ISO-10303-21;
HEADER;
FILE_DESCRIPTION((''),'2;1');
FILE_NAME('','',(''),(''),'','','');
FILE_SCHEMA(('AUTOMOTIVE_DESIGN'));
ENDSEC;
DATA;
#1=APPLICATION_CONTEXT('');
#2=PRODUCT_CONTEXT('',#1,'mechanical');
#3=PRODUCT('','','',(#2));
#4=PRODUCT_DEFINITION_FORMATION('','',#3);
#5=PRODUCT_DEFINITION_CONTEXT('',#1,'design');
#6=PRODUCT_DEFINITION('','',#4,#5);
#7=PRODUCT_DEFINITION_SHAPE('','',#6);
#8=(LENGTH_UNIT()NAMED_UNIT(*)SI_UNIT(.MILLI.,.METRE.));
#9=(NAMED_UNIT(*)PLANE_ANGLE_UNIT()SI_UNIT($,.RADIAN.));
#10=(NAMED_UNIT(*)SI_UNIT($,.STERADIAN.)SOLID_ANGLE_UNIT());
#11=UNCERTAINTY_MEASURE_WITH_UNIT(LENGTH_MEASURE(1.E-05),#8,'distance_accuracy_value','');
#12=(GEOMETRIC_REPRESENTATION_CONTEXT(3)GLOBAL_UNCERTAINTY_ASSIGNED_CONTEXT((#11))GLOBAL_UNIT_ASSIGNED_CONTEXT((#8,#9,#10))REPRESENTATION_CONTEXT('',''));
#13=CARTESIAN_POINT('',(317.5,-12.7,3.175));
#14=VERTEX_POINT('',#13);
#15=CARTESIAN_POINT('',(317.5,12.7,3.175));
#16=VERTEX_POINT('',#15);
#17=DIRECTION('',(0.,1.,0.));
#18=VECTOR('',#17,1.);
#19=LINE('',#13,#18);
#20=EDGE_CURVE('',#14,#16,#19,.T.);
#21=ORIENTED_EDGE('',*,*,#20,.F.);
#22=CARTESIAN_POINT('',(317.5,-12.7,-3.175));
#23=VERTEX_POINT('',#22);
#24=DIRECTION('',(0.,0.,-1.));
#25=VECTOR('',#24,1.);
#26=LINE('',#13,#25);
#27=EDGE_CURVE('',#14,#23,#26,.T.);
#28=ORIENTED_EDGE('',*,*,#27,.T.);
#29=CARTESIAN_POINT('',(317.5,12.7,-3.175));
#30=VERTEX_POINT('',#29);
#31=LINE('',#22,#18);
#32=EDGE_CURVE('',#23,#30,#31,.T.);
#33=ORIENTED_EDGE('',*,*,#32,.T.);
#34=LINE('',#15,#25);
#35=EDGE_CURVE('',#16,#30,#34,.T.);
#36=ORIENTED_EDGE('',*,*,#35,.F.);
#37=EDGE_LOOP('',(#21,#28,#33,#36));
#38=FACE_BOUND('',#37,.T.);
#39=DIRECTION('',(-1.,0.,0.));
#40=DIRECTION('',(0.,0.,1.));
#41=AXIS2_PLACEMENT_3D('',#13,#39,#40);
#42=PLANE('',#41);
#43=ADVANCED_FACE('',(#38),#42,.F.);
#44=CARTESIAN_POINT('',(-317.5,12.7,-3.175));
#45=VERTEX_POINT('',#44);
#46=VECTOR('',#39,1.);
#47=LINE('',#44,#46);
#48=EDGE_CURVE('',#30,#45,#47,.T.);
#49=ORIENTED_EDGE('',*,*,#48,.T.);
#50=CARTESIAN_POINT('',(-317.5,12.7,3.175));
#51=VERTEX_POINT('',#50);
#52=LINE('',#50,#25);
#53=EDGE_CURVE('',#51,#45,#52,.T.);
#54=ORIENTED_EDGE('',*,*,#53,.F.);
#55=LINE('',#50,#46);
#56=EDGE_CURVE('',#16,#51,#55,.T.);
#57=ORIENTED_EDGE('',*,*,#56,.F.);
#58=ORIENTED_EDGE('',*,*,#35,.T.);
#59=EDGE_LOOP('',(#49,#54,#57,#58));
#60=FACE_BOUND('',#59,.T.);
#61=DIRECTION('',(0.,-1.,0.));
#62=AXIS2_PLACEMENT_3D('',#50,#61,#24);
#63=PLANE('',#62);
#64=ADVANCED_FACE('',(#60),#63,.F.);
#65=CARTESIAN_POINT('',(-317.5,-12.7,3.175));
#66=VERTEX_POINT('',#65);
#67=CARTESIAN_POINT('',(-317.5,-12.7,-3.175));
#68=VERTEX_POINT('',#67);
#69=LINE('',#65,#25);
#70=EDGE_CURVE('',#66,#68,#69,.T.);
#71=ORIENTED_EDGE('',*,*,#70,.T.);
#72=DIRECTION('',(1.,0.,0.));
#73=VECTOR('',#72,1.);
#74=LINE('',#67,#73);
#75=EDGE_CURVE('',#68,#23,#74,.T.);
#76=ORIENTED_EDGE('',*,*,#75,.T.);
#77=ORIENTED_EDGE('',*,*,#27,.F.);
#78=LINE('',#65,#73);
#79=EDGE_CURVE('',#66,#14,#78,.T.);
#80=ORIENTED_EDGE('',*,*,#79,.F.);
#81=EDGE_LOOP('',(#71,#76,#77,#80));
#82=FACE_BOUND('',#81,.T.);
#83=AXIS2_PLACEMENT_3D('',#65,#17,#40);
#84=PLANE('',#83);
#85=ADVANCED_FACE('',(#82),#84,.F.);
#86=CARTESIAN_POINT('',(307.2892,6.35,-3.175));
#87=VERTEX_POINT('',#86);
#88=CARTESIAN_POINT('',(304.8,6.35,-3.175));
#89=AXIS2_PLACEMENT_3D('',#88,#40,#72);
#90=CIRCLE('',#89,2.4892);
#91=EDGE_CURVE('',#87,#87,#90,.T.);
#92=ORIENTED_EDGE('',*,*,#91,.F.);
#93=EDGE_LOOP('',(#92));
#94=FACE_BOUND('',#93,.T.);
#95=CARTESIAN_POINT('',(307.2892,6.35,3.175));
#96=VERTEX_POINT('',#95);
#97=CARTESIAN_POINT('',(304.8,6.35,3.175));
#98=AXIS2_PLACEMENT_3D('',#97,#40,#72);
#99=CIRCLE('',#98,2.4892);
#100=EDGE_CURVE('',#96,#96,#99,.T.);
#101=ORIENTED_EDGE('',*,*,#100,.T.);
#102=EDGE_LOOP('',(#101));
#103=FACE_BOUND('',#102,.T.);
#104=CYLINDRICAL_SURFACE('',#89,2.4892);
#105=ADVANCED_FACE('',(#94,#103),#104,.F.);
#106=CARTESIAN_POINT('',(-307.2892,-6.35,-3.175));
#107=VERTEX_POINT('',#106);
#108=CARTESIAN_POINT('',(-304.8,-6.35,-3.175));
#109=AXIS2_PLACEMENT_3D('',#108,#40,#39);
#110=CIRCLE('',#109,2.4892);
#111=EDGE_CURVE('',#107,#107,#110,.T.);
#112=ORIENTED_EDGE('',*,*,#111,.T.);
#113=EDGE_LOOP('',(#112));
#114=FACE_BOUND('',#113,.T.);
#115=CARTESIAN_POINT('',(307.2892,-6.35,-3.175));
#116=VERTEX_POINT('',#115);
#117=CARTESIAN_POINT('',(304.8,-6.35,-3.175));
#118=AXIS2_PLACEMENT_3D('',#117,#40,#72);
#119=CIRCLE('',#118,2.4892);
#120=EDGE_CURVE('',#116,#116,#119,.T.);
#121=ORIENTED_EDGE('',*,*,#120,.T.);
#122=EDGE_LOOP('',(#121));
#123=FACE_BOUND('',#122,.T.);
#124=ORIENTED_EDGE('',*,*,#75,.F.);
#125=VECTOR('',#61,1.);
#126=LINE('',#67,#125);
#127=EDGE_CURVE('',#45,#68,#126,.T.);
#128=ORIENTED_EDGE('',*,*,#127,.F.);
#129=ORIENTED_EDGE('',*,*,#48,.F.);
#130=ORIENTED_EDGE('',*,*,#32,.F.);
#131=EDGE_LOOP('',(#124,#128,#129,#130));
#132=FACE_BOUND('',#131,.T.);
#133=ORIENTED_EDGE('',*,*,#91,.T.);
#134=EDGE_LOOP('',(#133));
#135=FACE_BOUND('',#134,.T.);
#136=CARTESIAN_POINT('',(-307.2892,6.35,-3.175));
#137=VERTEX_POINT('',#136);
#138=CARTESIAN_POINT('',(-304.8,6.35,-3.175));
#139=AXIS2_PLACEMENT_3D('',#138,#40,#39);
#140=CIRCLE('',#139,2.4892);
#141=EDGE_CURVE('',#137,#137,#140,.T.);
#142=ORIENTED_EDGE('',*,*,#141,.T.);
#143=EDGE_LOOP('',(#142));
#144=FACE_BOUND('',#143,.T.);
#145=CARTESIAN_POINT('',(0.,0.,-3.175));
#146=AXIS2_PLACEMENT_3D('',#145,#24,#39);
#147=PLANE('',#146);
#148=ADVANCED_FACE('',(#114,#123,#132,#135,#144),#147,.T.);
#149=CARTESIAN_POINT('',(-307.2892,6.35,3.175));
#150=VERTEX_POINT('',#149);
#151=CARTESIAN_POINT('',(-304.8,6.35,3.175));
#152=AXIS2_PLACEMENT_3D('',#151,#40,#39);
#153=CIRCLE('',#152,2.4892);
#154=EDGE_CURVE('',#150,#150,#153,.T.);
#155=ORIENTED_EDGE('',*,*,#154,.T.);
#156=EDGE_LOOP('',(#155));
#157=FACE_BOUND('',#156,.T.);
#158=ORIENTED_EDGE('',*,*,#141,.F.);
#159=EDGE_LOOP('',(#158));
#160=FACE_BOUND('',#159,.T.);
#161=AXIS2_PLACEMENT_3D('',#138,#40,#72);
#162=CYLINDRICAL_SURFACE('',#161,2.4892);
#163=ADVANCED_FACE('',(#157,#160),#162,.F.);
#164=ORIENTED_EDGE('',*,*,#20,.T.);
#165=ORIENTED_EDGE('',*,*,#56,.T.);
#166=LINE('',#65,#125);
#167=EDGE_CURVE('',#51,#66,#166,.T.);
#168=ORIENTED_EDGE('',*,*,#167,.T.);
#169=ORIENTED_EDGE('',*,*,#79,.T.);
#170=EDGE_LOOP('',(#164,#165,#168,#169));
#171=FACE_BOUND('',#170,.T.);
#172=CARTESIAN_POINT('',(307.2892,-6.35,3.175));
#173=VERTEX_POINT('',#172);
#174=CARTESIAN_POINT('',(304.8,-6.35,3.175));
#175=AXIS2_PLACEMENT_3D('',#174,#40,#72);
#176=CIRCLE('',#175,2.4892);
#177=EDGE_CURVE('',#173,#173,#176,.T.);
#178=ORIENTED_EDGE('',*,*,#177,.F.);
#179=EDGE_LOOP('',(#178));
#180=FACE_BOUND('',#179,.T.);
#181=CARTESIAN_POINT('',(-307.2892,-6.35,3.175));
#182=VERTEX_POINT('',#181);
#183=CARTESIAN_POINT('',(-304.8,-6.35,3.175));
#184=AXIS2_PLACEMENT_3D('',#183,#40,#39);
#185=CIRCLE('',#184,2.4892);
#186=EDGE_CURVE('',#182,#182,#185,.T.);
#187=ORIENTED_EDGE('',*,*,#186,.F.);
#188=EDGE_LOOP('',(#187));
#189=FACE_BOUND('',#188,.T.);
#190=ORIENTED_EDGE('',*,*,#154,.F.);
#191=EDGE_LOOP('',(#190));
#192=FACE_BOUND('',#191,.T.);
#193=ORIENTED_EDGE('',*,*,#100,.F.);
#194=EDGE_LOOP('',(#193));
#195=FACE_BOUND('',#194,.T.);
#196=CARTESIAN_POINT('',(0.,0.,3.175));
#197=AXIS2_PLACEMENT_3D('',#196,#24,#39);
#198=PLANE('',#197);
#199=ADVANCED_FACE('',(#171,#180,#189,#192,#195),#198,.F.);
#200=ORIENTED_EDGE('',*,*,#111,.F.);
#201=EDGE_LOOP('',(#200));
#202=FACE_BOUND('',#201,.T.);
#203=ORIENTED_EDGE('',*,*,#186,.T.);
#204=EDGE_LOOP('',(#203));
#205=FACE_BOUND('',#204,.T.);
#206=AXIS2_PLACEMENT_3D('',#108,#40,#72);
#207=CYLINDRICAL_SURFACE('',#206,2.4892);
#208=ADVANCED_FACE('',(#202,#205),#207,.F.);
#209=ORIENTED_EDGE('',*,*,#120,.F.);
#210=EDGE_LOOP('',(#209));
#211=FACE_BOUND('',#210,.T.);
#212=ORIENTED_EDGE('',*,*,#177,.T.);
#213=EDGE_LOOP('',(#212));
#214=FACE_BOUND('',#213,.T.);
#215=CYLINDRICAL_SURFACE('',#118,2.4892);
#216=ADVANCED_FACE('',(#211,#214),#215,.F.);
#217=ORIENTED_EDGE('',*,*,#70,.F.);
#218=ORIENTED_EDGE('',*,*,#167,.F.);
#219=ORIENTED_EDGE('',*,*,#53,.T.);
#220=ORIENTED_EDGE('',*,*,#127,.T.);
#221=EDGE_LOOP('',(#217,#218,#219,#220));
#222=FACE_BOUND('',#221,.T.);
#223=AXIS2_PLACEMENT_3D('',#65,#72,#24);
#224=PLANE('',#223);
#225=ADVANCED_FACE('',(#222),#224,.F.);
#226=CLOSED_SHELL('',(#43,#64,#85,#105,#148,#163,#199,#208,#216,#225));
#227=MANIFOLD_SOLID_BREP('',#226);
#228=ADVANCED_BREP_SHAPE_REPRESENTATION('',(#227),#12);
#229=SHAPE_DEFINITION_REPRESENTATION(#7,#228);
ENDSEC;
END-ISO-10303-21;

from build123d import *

# Parameters (mm, degrees)
SKETCH1_W               = 635
SKETCH1_H               = 25.4
BOSS_EXTRUDE1_DEPTH     = 3.175
CUT_EXTRUDE1_DEPTH      = 318.769760401
CUT_EXTRUDE1_DEPTH_BACK = 318.769760401
SKETCH2_R               = 2.4892


with BuildPart() as part:
    # Sketch1 → Boss-Extrude1 (new, symmetric)
    with BuildSketch(Plane.XY):
        Rectangle(SKETCH1_W, SKETCH1_H)
    extrude(amount=BOSS_EXTRUDE1_DEPTH, both=True)

    # Sketch2 → Cut-Extrude1 (cut, two sides: drawn at the far end of the back side and taken through both)
    with BuildSketch(Plane.XY.offset(-CUT_EXTRUDE1_DEPTH_BACK)):
        with Locations((304.8, -6.35)):
            Circle(SKETCH2_R)
        with Locations((304.8, 6.35)):
            Circle(SKETCH2_R)
        with Locations(Location((-304.8, 6.35, 0), (0, 0, 180))):
            Circle(SKETCH2_R)
        with Locations(Location((-304.8, -6.35, 0), (0, 0, 180))):
            Circle(SKETCH2_R)
    extrude(amount=CUT_EXTRUDE1_DEPTH + CUT_EXTRUDE1_DEPTH_BACK, mode=Mode.SUBTRACT)


solid = part.part
